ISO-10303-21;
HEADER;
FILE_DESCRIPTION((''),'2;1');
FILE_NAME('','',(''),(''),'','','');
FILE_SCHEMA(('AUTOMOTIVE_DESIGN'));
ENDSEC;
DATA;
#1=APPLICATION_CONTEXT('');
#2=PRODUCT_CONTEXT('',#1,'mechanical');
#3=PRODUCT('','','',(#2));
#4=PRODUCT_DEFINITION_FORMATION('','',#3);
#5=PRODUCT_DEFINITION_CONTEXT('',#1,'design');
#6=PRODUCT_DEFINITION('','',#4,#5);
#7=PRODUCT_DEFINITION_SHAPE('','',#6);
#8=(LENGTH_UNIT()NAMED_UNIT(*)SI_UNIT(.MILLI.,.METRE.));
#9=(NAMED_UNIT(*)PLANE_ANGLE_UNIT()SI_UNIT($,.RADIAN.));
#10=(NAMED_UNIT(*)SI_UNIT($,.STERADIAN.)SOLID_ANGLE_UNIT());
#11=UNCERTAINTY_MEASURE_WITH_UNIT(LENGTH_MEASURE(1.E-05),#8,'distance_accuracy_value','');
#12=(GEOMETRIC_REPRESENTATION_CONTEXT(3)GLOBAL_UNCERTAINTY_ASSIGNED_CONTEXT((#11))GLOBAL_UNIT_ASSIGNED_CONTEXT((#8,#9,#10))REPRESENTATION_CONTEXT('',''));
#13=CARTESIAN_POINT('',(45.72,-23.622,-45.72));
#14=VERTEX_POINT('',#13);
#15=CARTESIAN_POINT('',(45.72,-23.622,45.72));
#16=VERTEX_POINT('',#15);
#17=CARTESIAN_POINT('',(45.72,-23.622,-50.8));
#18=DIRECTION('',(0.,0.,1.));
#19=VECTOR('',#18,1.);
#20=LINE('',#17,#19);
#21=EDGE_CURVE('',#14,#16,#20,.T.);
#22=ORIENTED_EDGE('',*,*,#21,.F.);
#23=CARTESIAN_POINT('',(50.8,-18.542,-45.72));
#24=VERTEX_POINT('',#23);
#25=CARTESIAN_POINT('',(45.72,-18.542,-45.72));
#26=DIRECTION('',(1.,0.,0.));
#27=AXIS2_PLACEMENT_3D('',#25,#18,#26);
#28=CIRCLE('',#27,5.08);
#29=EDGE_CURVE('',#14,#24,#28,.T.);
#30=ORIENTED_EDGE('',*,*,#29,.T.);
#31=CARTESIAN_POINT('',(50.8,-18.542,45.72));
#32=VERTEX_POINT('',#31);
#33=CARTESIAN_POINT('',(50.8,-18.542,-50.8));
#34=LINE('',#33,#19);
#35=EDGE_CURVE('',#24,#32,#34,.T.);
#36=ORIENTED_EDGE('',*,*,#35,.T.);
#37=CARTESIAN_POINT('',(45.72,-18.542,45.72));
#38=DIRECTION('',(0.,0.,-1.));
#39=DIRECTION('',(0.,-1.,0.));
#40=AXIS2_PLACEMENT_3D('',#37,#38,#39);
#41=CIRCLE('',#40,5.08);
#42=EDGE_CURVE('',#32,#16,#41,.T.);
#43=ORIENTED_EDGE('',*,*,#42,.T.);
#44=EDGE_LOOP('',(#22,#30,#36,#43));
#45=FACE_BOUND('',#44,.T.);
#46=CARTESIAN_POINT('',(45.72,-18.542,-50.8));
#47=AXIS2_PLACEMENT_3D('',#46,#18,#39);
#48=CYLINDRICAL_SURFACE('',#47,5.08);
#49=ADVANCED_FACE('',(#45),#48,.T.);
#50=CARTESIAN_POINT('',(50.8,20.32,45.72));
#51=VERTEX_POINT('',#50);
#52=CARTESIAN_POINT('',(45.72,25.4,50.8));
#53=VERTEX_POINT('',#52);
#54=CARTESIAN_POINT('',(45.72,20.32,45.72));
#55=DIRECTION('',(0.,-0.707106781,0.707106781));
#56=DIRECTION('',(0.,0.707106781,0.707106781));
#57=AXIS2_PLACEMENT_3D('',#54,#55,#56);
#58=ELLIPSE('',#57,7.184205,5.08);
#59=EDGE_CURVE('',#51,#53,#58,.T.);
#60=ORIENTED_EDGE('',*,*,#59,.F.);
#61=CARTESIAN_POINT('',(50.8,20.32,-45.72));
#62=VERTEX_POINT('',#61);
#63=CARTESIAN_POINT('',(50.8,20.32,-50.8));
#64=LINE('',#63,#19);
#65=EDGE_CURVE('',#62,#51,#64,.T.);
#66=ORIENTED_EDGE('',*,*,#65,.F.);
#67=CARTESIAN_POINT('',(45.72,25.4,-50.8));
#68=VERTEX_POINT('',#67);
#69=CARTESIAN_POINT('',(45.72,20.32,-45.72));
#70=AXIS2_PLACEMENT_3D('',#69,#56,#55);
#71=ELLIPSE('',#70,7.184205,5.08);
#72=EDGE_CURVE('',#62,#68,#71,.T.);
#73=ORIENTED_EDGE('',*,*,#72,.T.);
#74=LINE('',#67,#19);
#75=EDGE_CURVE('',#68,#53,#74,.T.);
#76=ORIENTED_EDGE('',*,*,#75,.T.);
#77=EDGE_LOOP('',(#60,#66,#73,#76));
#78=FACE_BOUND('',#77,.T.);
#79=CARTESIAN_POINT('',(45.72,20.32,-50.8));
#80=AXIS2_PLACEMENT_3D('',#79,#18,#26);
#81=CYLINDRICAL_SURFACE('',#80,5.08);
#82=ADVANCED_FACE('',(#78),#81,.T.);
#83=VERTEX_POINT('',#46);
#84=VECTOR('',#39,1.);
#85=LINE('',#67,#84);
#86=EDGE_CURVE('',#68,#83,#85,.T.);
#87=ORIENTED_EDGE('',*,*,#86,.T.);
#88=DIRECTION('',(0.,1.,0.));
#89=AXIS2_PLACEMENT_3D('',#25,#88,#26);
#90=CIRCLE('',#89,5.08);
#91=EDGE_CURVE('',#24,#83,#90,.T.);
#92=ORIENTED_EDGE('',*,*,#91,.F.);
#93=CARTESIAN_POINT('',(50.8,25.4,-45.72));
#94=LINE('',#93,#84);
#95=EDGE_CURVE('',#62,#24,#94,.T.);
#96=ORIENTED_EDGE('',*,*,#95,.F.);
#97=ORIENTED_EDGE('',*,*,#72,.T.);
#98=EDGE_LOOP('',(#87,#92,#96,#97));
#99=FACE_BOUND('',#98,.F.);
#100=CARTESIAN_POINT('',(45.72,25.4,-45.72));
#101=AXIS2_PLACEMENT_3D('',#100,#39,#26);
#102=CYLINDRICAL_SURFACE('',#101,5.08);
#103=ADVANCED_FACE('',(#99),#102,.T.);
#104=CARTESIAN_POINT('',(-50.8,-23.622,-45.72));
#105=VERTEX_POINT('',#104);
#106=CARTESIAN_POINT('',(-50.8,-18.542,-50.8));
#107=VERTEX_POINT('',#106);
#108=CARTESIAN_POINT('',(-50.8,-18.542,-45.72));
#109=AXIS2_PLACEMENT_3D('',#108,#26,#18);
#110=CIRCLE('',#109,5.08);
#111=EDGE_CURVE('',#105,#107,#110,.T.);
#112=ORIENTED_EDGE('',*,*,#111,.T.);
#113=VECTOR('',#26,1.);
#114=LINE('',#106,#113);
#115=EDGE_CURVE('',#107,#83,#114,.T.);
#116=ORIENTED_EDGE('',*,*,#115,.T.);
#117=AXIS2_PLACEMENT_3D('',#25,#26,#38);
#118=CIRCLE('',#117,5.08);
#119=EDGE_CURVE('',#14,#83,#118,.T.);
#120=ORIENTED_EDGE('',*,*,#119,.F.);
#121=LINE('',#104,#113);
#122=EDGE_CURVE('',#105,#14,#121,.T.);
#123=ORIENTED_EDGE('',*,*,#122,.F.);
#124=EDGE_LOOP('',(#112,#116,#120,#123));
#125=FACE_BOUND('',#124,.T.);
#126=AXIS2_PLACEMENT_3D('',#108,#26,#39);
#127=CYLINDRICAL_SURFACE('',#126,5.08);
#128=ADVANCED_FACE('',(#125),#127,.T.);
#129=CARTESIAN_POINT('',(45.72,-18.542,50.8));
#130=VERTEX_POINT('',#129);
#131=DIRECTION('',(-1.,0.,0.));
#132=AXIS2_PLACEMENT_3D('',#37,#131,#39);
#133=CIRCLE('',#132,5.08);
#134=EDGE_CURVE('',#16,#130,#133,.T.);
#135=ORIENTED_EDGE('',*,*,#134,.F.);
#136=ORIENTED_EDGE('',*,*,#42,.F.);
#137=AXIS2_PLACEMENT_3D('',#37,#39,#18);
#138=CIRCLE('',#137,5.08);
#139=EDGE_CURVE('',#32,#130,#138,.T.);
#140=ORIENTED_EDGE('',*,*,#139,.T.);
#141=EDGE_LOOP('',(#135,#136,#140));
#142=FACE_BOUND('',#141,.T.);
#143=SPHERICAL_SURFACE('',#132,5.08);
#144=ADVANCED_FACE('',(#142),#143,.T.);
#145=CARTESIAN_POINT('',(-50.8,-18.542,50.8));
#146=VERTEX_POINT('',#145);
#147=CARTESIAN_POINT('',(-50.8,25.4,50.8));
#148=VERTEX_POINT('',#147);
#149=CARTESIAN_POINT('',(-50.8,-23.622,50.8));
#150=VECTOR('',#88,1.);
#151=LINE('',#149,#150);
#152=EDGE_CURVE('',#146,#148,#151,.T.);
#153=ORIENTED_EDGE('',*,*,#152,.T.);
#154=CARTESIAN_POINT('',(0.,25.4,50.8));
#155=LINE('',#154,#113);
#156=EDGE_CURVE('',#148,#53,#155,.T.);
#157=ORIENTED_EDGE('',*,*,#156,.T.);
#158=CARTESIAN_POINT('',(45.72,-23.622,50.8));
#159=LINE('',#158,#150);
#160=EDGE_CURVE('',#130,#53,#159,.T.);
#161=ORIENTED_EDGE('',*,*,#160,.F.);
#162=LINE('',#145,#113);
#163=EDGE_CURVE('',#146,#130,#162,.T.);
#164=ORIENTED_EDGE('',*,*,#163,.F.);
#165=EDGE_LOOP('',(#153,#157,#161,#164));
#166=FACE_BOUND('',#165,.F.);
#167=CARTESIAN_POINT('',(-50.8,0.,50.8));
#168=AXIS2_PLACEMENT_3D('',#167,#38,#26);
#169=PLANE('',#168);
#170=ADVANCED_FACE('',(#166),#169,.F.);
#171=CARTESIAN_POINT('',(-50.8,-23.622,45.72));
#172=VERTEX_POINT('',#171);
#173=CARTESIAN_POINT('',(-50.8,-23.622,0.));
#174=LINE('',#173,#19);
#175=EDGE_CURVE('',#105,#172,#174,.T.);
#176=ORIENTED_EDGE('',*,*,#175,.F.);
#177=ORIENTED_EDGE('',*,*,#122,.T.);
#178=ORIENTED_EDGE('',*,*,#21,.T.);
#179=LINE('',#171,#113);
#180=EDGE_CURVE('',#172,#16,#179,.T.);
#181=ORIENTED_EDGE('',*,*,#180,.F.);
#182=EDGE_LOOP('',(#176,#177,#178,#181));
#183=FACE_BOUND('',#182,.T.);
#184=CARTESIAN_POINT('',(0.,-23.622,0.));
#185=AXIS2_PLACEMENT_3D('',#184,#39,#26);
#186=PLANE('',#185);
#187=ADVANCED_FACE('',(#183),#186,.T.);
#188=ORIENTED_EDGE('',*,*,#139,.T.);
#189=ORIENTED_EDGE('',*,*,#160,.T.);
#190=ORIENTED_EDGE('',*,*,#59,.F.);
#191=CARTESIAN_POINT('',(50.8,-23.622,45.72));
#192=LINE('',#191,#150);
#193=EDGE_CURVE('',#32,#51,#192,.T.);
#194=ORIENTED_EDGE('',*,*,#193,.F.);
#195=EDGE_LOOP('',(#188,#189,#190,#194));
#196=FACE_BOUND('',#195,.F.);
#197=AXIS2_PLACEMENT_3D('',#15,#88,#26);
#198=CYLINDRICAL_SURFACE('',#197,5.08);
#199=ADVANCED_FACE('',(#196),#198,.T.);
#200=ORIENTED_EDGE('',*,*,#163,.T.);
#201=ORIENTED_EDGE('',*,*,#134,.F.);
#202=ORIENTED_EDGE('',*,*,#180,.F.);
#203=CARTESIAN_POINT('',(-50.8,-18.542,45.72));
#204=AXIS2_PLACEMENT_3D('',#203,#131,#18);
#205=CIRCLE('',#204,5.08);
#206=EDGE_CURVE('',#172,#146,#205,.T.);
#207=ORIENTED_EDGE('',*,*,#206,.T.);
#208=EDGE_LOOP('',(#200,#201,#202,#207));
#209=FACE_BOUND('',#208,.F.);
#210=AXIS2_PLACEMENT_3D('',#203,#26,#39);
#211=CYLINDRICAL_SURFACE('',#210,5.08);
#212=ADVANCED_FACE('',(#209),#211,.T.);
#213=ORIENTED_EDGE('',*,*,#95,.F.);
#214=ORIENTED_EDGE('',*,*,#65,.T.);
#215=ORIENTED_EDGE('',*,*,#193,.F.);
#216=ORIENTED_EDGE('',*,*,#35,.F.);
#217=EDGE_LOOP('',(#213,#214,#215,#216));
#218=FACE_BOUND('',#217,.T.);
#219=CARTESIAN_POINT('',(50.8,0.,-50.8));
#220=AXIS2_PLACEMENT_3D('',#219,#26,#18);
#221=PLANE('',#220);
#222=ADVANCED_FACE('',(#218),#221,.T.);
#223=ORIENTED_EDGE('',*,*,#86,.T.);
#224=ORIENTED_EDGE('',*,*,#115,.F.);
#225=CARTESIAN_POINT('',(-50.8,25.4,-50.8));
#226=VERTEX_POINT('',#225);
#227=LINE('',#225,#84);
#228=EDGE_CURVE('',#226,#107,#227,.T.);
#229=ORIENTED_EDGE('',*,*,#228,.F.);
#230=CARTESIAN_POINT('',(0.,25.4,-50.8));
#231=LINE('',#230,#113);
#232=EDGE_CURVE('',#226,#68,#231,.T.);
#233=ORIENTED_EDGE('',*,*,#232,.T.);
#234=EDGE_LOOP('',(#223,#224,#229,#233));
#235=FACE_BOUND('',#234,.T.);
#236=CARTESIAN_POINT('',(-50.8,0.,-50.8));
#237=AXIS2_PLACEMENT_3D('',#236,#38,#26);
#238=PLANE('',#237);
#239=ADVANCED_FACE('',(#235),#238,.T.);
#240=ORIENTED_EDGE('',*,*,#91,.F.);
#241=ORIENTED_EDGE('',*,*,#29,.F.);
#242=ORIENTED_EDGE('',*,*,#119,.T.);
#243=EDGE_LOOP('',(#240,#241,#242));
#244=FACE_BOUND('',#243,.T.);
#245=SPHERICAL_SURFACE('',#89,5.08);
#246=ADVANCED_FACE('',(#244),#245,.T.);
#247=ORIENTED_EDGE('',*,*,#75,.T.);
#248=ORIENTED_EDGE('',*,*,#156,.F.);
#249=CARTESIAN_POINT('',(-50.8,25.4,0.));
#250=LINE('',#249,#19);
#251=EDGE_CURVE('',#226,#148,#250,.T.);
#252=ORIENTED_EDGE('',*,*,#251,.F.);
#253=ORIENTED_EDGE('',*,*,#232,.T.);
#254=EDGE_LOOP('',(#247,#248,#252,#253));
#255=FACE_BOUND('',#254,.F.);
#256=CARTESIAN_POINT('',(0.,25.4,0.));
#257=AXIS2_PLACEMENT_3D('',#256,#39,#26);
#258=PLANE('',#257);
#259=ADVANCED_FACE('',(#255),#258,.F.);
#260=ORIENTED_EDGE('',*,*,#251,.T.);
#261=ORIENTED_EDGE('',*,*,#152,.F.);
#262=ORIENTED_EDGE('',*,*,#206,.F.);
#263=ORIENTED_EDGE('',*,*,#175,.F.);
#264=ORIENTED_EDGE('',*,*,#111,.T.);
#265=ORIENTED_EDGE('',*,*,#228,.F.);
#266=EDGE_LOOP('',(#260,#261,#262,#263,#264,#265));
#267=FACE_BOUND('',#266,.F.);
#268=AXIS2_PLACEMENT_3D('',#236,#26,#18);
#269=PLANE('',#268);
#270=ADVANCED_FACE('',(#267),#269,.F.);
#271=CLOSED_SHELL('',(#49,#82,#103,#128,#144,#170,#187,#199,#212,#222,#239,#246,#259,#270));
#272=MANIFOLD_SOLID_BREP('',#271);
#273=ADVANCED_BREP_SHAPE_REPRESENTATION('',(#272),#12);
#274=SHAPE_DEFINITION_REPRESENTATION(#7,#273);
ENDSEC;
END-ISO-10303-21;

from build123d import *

# Parameters (mm, degrees)
F0_W          = 101.6
F0_H          = 101.6
F1_DEPTH      = 23.622
F1_DEPTH_BACK = 25.4
F2_R          = 5.08


with BuildPart() as f1:
    # F0 (on Front) → F1 (new body, two sides)
    with BuildSketch(Plane.XZ) as f1_sk:
        Rectangle(F0_W, F0_H)
    extrude(amount=F1_DEPTH)
    extrude(f1_sk.sketch, amount=-F1_DEPTH_BACK)

    # F2
    f2_edges = [f1.edges().sort_by_distance(p)[0] for p in [
        (0, -23.622, 50.8),
        (50.8, 0.889, -50.8),
        (50.8, -23.622, 0),
        (50.8, 0.889, 50.8),
        (50.8, 25.4, 0),
        (0, -23.622, -50.8),
    ]]
    fillet(f2_edges, radius=F2_R)


solid = f1.part
